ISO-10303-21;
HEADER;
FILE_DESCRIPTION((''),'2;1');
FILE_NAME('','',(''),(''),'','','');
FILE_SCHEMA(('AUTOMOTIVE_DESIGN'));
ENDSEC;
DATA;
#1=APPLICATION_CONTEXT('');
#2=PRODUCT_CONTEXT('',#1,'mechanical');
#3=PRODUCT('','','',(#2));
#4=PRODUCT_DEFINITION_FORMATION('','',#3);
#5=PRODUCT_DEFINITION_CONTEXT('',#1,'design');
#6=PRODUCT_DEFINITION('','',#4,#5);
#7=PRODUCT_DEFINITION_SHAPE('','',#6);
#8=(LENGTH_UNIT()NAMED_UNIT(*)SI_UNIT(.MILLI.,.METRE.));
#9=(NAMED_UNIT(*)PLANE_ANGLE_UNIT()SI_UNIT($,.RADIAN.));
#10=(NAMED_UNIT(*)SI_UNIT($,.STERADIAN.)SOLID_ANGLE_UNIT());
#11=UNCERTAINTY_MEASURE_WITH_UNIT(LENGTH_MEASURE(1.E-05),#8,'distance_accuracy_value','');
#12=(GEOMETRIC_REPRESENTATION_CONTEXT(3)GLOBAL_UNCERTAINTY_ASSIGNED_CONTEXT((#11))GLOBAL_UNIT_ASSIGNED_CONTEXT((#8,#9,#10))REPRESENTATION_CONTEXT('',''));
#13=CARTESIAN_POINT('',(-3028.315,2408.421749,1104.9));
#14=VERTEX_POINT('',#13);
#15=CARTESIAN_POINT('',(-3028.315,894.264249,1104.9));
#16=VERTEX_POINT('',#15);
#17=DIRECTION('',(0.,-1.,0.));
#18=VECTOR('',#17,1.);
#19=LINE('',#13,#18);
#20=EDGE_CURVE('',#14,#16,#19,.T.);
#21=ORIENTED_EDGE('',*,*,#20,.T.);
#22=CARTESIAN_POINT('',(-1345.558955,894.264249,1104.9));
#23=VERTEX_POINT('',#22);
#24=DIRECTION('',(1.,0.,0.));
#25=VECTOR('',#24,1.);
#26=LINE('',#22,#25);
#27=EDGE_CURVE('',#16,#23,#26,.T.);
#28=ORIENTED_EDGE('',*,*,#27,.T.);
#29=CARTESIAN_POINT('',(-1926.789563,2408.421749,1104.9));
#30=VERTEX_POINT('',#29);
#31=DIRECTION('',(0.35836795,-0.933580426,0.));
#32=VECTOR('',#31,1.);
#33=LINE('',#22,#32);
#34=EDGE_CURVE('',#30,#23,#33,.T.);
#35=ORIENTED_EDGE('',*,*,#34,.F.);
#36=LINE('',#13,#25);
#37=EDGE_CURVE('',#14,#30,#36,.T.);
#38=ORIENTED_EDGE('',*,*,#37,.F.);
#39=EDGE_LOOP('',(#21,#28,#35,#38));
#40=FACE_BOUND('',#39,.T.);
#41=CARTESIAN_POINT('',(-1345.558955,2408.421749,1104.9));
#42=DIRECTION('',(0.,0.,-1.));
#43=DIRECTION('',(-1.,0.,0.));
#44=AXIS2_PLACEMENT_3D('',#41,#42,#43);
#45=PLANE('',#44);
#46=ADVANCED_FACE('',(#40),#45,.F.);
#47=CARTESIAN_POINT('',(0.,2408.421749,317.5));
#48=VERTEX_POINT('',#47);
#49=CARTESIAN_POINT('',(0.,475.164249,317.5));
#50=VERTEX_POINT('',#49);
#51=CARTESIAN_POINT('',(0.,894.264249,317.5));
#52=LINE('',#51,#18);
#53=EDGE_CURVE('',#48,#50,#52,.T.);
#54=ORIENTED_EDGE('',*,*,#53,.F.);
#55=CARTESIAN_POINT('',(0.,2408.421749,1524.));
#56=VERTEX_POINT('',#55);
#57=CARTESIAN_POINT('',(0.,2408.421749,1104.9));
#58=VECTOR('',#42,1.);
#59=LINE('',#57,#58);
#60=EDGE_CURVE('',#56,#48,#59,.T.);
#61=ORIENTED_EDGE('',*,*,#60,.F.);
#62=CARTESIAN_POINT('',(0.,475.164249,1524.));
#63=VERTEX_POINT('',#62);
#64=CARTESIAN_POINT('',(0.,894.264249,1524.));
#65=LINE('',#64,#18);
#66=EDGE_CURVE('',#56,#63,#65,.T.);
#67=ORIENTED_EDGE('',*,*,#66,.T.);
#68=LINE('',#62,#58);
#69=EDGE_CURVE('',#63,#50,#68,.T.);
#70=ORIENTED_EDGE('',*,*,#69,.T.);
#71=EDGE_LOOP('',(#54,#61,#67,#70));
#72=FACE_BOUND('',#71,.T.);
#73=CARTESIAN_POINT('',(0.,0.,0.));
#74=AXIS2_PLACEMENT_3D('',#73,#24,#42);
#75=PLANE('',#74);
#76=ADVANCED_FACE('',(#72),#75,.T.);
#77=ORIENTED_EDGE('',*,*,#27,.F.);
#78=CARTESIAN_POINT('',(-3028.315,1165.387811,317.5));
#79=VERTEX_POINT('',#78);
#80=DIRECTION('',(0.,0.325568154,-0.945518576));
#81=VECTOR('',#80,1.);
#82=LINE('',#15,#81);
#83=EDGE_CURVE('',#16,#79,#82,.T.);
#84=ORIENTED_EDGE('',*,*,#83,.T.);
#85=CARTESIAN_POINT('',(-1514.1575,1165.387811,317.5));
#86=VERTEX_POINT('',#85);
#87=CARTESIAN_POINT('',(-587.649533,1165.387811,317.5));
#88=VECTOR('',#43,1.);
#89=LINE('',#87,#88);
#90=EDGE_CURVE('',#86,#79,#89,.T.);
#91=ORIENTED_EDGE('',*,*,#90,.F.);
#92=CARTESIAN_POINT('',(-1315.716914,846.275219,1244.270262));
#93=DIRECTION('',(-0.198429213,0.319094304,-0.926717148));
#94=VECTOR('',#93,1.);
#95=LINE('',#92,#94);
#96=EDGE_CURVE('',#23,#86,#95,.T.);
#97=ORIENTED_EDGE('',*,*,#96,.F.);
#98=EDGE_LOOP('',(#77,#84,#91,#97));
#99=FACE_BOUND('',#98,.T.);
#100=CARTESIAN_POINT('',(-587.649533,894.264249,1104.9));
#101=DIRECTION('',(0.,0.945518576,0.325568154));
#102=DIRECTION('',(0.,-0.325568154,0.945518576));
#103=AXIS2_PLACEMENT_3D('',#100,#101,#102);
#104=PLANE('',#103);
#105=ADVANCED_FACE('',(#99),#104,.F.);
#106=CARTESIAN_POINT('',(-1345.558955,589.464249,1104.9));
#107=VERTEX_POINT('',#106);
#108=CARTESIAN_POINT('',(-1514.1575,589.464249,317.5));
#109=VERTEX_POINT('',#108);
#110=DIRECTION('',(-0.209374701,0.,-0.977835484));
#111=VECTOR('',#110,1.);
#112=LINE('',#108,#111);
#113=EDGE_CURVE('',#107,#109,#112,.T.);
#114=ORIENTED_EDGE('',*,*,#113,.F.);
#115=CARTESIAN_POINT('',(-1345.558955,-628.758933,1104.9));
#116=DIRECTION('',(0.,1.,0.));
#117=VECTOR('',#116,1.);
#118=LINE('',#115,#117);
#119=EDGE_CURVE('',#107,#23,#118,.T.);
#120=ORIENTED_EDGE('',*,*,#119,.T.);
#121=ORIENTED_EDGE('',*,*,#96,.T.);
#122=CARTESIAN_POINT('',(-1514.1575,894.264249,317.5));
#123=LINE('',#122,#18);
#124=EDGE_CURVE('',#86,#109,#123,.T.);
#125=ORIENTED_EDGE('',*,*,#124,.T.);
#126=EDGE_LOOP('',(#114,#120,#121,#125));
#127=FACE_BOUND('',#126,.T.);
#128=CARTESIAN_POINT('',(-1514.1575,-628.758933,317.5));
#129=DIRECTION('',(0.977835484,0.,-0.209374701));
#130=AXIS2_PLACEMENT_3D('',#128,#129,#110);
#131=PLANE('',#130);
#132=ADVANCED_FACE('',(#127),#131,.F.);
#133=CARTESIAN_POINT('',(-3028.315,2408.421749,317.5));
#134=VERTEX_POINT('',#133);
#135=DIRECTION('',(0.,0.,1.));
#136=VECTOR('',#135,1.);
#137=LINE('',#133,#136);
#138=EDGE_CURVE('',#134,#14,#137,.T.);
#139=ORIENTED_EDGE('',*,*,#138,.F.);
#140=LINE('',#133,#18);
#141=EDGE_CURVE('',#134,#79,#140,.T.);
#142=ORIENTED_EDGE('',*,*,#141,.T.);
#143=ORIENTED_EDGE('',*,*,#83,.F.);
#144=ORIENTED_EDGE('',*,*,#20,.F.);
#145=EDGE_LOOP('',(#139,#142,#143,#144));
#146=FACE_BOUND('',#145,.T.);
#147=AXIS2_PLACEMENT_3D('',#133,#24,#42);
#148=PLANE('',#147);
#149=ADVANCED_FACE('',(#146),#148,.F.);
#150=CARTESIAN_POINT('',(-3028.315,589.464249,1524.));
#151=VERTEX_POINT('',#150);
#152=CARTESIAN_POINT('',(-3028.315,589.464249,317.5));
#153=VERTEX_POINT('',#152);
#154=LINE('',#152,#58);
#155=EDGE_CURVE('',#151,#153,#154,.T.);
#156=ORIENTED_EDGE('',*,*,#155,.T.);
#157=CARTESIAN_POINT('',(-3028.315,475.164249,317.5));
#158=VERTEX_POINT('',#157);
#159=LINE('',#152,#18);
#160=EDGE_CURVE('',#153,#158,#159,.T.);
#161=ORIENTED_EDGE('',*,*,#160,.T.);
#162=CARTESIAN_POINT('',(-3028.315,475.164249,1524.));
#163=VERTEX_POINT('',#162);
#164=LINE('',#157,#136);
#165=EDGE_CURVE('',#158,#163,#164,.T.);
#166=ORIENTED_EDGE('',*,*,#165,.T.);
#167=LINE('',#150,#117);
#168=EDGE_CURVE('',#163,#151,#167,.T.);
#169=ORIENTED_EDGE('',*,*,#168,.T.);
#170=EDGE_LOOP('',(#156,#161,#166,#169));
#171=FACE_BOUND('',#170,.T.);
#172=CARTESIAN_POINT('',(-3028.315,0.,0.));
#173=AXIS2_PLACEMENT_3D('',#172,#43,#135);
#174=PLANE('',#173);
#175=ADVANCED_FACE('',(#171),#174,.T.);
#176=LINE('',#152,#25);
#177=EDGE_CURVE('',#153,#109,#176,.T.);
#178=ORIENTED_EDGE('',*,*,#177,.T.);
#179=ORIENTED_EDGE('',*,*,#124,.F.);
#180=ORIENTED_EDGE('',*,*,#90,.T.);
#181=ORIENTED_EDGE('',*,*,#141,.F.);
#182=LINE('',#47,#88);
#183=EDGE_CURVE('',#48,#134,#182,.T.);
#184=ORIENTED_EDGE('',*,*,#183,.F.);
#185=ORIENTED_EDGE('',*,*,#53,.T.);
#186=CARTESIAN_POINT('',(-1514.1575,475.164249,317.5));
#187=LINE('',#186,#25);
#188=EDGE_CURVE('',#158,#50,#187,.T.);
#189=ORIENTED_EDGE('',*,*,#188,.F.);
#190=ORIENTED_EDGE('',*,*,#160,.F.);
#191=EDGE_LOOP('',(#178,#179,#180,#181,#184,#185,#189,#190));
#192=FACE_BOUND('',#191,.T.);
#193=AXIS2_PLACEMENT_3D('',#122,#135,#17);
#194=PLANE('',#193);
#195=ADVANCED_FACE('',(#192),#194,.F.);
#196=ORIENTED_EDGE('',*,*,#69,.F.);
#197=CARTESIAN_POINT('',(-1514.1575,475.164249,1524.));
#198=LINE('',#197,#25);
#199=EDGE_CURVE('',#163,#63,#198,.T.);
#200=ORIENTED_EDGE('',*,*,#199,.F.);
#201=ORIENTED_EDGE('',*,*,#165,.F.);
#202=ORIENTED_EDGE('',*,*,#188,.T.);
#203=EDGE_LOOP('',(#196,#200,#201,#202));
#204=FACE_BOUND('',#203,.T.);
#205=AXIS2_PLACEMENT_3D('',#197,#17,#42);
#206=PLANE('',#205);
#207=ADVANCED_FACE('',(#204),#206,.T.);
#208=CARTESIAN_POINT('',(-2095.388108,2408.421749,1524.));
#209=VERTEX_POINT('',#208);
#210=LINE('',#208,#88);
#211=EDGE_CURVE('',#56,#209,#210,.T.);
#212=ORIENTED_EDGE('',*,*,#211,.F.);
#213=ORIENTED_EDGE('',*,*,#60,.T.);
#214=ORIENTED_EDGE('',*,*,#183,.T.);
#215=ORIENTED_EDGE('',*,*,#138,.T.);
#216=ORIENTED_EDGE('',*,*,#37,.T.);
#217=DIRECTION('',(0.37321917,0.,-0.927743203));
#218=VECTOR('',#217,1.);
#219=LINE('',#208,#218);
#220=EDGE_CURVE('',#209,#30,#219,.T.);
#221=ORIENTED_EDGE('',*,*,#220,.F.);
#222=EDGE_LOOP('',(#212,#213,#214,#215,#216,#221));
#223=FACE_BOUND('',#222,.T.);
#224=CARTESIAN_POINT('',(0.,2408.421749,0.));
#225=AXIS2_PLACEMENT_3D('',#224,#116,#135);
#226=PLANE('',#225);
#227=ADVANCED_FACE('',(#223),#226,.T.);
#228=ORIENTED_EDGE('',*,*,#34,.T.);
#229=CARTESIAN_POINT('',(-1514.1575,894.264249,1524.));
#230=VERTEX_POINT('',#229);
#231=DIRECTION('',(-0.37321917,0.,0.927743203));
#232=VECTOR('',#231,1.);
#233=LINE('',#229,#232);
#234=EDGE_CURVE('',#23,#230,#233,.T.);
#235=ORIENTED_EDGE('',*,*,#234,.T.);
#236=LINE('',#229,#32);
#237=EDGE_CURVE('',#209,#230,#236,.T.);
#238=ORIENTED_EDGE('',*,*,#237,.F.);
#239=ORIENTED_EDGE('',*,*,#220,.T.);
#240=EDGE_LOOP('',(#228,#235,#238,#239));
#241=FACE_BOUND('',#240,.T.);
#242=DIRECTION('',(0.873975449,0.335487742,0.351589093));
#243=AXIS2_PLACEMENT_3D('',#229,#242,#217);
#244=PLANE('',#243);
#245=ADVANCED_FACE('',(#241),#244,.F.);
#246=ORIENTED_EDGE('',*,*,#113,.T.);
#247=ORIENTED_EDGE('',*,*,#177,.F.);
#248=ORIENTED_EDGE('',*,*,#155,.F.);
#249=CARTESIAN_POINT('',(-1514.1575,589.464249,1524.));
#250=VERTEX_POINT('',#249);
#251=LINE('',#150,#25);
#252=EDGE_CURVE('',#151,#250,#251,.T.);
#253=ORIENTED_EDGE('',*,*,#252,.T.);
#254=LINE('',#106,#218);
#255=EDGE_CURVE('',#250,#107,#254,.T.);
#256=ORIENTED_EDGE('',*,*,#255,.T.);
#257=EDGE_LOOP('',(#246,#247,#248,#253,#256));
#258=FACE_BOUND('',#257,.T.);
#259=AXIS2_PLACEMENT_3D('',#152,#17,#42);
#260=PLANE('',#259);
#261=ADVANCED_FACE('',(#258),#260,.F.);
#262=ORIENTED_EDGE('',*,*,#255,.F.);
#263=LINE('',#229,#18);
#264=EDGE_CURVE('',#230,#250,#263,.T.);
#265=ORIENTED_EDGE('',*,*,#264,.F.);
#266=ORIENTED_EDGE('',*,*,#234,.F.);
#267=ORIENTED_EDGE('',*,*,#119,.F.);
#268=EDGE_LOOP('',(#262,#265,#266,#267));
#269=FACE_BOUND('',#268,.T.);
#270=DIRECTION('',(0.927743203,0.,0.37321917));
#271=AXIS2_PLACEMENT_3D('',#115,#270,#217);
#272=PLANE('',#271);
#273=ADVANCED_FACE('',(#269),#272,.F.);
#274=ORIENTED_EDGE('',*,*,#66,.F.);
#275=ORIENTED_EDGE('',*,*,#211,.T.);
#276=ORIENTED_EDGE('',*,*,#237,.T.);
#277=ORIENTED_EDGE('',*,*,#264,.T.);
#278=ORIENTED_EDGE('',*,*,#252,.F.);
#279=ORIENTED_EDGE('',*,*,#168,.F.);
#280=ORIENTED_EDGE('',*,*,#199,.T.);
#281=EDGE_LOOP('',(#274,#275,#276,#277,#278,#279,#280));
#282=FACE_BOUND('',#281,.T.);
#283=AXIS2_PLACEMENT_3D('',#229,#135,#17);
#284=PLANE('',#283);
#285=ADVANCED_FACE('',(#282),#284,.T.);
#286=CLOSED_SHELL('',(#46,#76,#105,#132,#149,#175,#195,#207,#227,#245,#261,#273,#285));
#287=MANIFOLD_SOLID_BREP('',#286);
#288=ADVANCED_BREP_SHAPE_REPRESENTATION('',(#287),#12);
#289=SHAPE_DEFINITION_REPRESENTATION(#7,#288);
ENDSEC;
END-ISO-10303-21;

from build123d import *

# Parameters (mm, degrees)
SKETCH1_W               = 1206.5
SKETCH1_H               = 419.1
BOSS_EXTRUDE4_DEPTH     = 1514.1575
SKETCH8_W               = 1206.5
SKETCH8_H               = 114.3
BOSS_EXTRUDE5_DEPTH     = 1514.1575
CUT_EXTRUDE3_DEPTH      = 3416.979003042
CUT_EXTRUDE3_DEPTH_BACK = 304.8
BOSS_EXTRUDE6_DEPTH     = 1514.1575
CUT_EXTRUDE4_REACH      = 4160.577
BOSS_EXTRUDE11_DEPTH    = 451.741385412
BOSS_EXTRUDE12_DEPTH    = 1514.1575


with BuildPart() as part:
    # Sketch1 → Boss-Extrude4 (new body)
    with BuildSketch(Plane(origin=(0, 0, 0), x_dir=(0, 0, -1), z_dir=(1, 0, 0))):
        with Locations((-920.75, 684.714248705)):
            Rectangle(SKETCH1_W, SKETCH1_H)
    extrude(amount=-BOSS_EXTRUDE4_DEPTH)

    # Sketch8 → Boss-Extrude5 (add)
    with BuildSketch(Plane.ZY.offset(1514.1575)):
        with Locations((920.75, 532.314248705)):
            Rectangle(SKETCH8_W, SKETCH8_H)
    extrude(amount=BOSS_EXTRUDE5_DEPTH)

    # Sketch9 → Cut-Extrude3 (cut, two sides: drawn at the far end of the back side and taken through both)
    with BuildSketch(Plane(origin=(0, 894.264248705, 0), x_dir=(1, 0, 0), z_dir=(0, 1, 0)).offset(-CUT_EXTRUDE3_DEPTH_BACK)):
        Polygon((-1514.1575, -317.5), (-1345.558955244, -1104.9), (-1514.1575, -1524), align=None)
    extrude(amount=CUT_EXTRUDE3_DEPTH + CUT_EXTRUDE3_DEPTH_BACK, mode=Mode.SUBTRACT)

    # Sketch10 → Boss-Extrude6 (add)
    with BuildSketch(Plane(origin=(0, 894.264248705, 0), x_dir=(1, 0, 0), z_dir=(0, 1, 0))):
        Polygon((-1345.558955244, -1104.9), (0, -1104.9), (0, -317.5), (-3028.315, -317.5), (-3028.315, -1104.9), align=None)
    extrude(amount=BOSS_EXTRUDE6_DEPTH)

    # Cut-Extrude4: up to this plane
    cut_extrude4_end = Plane(origin=(-1514.1575, -628.758932529, 317.5), z_dir=(0.9778354843848671, 0, -0.20937470114083095))
    # Maybe Delete This Sketch → Cut-Extrude4 (cut, up to the surface)
    with BuildSketch(Plane.ZY.offset(3028.315), mode=Mode.PRIVATE) as cut_extrude4_sk1:
        Polygon((1104.9, 894.264248705), (317.5, 1165.387811409), (317.5, 894.264248705), align=None)
    cut_extrude4_tool1 = split(extrude(cut_extrude4_sk1.sketch, amount=-CUT_EXTRUDE4_REACH, mode=Mode.PRIVATE), bisect_by=cut_extrude4_end, keep=Keep.BOTH, mode=Mode.PRIVATE)
    add(cut_extrude4_tool1.solids().sort_by_distance((-3028.315, 984.63877, 579.966667))[0], mode=Mode.SUBTRACT)

    # Sketch24 → Boss-Extrude11 (add, along a direction that is not the sketch's normal)
    with BuildSketch(Plane.XY.offset(1104.9)):
        Polygon((-1345.558955244, 894.264248705), (-1926.789562873, 2408.421748705), (0, 2408.421748705), (0, 894.264248705), align=None)
    extrude(amount=BOSS_EXTRUDE11_DEPTH, dir=(-0.37321916964166585, 0, 0.9277432033768749))

    # Sketch23 → Boss-Extrude12 (add)
    with BuildSketch(Plane(origin=(0, 894.264248705, 0), x_dir=(1, 0, 0), z_dir=(0, 1, 0))):
        Polygon((-1345.558955244, -1104.9), (-1514.1575, -1524), (0, -1524), (0, -1104.9), align=None)
    extrude(amount=BOSS_EXTRUDE12_DEPTH)


solid = part.part
